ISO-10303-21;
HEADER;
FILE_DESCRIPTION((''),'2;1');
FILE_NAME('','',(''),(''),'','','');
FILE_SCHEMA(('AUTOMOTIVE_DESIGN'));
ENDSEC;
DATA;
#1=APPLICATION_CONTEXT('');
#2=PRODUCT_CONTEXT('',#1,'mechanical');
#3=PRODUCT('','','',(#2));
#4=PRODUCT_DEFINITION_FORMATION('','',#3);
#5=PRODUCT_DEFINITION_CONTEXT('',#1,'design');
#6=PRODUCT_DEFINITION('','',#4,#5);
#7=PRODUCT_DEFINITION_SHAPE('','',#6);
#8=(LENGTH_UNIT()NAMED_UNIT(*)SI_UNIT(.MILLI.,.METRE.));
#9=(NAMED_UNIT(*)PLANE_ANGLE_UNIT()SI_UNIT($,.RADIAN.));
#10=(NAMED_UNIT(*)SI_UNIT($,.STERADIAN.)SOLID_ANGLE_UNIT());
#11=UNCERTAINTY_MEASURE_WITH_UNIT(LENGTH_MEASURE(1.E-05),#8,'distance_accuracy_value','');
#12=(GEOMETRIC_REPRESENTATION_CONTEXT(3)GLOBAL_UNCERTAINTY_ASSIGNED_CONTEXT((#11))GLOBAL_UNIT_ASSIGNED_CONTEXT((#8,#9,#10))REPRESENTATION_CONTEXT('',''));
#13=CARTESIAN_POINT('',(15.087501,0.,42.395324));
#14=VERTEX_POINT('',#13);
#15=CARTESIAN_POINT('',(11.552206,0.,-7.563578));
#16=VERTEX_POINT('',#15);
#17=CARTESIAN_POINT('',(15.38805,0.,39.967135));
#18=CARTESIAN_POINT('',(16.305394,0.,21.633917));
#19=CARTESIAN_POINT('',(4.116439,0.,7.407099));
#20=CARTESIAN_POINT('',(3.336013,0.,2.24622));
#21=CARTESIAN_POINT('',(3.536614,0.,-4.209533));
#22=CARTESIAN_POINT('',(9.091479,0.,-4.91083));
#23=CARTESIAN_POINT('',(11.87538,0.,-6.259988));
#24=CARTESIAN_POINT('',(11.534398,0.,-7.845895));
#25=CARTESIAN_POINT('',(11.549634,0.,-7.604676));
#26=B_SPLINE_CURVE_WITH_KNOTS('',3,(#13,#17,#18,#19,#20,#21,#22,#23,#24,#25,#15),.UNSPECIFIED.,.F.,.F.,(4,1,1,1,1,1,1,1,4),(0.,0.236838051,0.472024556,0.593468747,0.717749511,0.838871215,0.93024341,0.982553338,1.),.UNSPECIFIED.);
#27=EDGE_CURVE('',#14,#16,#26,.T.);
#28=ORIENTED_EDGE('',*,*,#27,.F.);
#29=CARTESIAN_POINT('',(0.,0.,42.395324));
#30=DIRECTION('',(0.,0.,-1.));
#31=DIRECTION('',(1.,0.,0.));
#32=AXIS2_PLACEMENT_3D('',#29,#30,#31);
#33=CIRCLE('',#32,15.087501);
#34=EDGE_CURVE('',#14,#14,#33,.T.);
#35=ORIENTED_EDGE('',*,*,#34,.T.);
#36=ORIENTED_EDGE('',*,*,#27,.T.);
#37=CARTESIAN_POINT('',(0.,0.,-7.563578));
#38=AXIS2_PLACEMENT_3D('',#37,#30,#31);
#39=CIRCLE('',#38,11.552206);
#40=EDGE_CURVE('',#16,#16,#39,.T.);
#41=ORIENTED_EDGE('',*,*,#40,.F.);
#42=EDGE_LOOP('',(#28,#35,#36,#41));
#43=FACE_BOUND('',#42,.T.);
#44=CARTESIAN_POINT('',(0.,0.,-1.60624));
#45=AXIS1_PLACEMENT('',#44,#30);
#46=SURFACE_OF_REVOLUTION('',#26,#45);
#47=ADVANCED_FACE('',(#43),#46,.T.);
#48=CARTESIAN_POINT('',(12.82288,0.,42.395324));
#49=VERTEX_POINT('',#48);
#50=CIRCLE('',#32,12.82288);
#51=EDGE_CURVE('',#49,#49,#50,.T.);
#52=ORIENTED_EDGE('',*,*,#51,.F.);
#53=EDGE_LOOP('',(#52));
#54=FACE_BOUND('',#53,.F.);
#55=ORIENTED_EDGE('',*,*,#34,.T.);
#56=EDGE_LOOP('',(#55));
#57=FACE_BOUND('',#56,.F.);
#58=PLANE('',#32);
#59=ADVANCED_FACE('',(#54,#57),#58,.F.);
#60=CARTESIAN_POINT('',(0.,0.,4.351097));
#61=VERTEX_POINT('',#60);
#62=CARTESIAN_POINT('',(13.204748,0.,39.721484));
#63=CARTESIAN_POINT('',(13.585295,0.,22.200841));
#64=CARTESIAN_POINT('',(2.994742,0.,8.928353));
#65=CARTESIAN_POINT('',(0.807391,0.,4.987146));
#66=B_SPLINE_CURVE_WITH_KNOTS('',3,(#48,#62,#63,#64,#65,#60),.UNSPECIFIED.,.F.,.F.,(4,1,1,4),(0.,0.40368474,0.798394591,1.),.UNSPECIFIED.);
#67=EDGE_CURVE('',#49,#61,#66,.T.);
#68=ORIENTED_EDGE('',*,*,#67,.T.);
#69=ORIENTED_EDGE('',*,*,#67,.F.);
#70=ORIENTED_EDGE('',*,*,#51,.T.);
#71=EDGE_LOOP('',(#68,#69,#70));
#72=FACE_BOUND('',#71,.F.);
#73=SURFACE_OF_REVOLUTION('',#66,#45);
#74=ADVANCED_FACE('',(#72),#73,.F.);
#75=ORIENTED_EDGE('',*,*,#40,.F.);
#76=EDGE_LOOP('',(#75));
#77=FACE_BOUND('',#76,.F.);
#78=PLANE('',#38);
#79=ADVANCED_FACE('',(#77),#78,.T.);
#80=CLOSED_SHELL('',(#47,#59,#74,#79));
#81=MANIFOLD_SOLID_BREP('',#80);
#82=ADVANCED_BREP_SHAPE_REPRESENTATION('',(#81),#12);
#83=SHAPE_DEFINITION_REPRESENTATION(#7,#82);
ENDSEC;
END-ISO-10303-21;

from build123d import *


with BuildPart() as f1:
    # F0 (on Front) → F1 (revolve)
    with BuildSketch(Plane.XZ):
        with BuildLine():
            add(Edge.make_bspline(
                [(15.0875008333, 42.3953242924), (15.3880495616, 39.9671350371), (16.3053936573, 21.6339173464), (4.11643932, 7.4070986934), (3.336013191, 2.2462195777), (3.5366142936, -4.2095331314), (9.0914785546, -4.9108302606), (11.8753802262, -6.2599877655), (11.5343984044, -7.845895486), (11.5496342082, -7.6046757076), (11.5522064625, -7.5635779147)],
                knots=[0, 0, 0, 0, 0.2368380506, 0.4720245556, 0.5934687469, 0.7177495105, 0.8388712148, 0.9302434098, 0.9825533376, 1, 1, 1, 1], degree=3))
            Line((15.0875008333, 42.3953242924), (12.822879805, 42.3953242924))
            add(Edge.make_bspline(
                [(12.822879805, 42.3953242924), (13.2047479742, 39.7214839198), (13.5852953686, 22.2008408405), (2.9947424458, 8.9283531576), (0.807390735, 4.9871464079), (0, 4.3510970869)],
                knots=[0, 0, 0, 0, 0.4036847395, 0.7983945913, 1, 1, 1, 1], degree=3))
            Line((0, 4.3510970869), (0, -7.5635779147))
            Line((0, -7.5635779147), (11.5522064625, -7.5635779147))
        make_face()
    revolve(axis=Axis((0, 0, -1.6062404139), (0, 0, -1)))


solid = f1.part
